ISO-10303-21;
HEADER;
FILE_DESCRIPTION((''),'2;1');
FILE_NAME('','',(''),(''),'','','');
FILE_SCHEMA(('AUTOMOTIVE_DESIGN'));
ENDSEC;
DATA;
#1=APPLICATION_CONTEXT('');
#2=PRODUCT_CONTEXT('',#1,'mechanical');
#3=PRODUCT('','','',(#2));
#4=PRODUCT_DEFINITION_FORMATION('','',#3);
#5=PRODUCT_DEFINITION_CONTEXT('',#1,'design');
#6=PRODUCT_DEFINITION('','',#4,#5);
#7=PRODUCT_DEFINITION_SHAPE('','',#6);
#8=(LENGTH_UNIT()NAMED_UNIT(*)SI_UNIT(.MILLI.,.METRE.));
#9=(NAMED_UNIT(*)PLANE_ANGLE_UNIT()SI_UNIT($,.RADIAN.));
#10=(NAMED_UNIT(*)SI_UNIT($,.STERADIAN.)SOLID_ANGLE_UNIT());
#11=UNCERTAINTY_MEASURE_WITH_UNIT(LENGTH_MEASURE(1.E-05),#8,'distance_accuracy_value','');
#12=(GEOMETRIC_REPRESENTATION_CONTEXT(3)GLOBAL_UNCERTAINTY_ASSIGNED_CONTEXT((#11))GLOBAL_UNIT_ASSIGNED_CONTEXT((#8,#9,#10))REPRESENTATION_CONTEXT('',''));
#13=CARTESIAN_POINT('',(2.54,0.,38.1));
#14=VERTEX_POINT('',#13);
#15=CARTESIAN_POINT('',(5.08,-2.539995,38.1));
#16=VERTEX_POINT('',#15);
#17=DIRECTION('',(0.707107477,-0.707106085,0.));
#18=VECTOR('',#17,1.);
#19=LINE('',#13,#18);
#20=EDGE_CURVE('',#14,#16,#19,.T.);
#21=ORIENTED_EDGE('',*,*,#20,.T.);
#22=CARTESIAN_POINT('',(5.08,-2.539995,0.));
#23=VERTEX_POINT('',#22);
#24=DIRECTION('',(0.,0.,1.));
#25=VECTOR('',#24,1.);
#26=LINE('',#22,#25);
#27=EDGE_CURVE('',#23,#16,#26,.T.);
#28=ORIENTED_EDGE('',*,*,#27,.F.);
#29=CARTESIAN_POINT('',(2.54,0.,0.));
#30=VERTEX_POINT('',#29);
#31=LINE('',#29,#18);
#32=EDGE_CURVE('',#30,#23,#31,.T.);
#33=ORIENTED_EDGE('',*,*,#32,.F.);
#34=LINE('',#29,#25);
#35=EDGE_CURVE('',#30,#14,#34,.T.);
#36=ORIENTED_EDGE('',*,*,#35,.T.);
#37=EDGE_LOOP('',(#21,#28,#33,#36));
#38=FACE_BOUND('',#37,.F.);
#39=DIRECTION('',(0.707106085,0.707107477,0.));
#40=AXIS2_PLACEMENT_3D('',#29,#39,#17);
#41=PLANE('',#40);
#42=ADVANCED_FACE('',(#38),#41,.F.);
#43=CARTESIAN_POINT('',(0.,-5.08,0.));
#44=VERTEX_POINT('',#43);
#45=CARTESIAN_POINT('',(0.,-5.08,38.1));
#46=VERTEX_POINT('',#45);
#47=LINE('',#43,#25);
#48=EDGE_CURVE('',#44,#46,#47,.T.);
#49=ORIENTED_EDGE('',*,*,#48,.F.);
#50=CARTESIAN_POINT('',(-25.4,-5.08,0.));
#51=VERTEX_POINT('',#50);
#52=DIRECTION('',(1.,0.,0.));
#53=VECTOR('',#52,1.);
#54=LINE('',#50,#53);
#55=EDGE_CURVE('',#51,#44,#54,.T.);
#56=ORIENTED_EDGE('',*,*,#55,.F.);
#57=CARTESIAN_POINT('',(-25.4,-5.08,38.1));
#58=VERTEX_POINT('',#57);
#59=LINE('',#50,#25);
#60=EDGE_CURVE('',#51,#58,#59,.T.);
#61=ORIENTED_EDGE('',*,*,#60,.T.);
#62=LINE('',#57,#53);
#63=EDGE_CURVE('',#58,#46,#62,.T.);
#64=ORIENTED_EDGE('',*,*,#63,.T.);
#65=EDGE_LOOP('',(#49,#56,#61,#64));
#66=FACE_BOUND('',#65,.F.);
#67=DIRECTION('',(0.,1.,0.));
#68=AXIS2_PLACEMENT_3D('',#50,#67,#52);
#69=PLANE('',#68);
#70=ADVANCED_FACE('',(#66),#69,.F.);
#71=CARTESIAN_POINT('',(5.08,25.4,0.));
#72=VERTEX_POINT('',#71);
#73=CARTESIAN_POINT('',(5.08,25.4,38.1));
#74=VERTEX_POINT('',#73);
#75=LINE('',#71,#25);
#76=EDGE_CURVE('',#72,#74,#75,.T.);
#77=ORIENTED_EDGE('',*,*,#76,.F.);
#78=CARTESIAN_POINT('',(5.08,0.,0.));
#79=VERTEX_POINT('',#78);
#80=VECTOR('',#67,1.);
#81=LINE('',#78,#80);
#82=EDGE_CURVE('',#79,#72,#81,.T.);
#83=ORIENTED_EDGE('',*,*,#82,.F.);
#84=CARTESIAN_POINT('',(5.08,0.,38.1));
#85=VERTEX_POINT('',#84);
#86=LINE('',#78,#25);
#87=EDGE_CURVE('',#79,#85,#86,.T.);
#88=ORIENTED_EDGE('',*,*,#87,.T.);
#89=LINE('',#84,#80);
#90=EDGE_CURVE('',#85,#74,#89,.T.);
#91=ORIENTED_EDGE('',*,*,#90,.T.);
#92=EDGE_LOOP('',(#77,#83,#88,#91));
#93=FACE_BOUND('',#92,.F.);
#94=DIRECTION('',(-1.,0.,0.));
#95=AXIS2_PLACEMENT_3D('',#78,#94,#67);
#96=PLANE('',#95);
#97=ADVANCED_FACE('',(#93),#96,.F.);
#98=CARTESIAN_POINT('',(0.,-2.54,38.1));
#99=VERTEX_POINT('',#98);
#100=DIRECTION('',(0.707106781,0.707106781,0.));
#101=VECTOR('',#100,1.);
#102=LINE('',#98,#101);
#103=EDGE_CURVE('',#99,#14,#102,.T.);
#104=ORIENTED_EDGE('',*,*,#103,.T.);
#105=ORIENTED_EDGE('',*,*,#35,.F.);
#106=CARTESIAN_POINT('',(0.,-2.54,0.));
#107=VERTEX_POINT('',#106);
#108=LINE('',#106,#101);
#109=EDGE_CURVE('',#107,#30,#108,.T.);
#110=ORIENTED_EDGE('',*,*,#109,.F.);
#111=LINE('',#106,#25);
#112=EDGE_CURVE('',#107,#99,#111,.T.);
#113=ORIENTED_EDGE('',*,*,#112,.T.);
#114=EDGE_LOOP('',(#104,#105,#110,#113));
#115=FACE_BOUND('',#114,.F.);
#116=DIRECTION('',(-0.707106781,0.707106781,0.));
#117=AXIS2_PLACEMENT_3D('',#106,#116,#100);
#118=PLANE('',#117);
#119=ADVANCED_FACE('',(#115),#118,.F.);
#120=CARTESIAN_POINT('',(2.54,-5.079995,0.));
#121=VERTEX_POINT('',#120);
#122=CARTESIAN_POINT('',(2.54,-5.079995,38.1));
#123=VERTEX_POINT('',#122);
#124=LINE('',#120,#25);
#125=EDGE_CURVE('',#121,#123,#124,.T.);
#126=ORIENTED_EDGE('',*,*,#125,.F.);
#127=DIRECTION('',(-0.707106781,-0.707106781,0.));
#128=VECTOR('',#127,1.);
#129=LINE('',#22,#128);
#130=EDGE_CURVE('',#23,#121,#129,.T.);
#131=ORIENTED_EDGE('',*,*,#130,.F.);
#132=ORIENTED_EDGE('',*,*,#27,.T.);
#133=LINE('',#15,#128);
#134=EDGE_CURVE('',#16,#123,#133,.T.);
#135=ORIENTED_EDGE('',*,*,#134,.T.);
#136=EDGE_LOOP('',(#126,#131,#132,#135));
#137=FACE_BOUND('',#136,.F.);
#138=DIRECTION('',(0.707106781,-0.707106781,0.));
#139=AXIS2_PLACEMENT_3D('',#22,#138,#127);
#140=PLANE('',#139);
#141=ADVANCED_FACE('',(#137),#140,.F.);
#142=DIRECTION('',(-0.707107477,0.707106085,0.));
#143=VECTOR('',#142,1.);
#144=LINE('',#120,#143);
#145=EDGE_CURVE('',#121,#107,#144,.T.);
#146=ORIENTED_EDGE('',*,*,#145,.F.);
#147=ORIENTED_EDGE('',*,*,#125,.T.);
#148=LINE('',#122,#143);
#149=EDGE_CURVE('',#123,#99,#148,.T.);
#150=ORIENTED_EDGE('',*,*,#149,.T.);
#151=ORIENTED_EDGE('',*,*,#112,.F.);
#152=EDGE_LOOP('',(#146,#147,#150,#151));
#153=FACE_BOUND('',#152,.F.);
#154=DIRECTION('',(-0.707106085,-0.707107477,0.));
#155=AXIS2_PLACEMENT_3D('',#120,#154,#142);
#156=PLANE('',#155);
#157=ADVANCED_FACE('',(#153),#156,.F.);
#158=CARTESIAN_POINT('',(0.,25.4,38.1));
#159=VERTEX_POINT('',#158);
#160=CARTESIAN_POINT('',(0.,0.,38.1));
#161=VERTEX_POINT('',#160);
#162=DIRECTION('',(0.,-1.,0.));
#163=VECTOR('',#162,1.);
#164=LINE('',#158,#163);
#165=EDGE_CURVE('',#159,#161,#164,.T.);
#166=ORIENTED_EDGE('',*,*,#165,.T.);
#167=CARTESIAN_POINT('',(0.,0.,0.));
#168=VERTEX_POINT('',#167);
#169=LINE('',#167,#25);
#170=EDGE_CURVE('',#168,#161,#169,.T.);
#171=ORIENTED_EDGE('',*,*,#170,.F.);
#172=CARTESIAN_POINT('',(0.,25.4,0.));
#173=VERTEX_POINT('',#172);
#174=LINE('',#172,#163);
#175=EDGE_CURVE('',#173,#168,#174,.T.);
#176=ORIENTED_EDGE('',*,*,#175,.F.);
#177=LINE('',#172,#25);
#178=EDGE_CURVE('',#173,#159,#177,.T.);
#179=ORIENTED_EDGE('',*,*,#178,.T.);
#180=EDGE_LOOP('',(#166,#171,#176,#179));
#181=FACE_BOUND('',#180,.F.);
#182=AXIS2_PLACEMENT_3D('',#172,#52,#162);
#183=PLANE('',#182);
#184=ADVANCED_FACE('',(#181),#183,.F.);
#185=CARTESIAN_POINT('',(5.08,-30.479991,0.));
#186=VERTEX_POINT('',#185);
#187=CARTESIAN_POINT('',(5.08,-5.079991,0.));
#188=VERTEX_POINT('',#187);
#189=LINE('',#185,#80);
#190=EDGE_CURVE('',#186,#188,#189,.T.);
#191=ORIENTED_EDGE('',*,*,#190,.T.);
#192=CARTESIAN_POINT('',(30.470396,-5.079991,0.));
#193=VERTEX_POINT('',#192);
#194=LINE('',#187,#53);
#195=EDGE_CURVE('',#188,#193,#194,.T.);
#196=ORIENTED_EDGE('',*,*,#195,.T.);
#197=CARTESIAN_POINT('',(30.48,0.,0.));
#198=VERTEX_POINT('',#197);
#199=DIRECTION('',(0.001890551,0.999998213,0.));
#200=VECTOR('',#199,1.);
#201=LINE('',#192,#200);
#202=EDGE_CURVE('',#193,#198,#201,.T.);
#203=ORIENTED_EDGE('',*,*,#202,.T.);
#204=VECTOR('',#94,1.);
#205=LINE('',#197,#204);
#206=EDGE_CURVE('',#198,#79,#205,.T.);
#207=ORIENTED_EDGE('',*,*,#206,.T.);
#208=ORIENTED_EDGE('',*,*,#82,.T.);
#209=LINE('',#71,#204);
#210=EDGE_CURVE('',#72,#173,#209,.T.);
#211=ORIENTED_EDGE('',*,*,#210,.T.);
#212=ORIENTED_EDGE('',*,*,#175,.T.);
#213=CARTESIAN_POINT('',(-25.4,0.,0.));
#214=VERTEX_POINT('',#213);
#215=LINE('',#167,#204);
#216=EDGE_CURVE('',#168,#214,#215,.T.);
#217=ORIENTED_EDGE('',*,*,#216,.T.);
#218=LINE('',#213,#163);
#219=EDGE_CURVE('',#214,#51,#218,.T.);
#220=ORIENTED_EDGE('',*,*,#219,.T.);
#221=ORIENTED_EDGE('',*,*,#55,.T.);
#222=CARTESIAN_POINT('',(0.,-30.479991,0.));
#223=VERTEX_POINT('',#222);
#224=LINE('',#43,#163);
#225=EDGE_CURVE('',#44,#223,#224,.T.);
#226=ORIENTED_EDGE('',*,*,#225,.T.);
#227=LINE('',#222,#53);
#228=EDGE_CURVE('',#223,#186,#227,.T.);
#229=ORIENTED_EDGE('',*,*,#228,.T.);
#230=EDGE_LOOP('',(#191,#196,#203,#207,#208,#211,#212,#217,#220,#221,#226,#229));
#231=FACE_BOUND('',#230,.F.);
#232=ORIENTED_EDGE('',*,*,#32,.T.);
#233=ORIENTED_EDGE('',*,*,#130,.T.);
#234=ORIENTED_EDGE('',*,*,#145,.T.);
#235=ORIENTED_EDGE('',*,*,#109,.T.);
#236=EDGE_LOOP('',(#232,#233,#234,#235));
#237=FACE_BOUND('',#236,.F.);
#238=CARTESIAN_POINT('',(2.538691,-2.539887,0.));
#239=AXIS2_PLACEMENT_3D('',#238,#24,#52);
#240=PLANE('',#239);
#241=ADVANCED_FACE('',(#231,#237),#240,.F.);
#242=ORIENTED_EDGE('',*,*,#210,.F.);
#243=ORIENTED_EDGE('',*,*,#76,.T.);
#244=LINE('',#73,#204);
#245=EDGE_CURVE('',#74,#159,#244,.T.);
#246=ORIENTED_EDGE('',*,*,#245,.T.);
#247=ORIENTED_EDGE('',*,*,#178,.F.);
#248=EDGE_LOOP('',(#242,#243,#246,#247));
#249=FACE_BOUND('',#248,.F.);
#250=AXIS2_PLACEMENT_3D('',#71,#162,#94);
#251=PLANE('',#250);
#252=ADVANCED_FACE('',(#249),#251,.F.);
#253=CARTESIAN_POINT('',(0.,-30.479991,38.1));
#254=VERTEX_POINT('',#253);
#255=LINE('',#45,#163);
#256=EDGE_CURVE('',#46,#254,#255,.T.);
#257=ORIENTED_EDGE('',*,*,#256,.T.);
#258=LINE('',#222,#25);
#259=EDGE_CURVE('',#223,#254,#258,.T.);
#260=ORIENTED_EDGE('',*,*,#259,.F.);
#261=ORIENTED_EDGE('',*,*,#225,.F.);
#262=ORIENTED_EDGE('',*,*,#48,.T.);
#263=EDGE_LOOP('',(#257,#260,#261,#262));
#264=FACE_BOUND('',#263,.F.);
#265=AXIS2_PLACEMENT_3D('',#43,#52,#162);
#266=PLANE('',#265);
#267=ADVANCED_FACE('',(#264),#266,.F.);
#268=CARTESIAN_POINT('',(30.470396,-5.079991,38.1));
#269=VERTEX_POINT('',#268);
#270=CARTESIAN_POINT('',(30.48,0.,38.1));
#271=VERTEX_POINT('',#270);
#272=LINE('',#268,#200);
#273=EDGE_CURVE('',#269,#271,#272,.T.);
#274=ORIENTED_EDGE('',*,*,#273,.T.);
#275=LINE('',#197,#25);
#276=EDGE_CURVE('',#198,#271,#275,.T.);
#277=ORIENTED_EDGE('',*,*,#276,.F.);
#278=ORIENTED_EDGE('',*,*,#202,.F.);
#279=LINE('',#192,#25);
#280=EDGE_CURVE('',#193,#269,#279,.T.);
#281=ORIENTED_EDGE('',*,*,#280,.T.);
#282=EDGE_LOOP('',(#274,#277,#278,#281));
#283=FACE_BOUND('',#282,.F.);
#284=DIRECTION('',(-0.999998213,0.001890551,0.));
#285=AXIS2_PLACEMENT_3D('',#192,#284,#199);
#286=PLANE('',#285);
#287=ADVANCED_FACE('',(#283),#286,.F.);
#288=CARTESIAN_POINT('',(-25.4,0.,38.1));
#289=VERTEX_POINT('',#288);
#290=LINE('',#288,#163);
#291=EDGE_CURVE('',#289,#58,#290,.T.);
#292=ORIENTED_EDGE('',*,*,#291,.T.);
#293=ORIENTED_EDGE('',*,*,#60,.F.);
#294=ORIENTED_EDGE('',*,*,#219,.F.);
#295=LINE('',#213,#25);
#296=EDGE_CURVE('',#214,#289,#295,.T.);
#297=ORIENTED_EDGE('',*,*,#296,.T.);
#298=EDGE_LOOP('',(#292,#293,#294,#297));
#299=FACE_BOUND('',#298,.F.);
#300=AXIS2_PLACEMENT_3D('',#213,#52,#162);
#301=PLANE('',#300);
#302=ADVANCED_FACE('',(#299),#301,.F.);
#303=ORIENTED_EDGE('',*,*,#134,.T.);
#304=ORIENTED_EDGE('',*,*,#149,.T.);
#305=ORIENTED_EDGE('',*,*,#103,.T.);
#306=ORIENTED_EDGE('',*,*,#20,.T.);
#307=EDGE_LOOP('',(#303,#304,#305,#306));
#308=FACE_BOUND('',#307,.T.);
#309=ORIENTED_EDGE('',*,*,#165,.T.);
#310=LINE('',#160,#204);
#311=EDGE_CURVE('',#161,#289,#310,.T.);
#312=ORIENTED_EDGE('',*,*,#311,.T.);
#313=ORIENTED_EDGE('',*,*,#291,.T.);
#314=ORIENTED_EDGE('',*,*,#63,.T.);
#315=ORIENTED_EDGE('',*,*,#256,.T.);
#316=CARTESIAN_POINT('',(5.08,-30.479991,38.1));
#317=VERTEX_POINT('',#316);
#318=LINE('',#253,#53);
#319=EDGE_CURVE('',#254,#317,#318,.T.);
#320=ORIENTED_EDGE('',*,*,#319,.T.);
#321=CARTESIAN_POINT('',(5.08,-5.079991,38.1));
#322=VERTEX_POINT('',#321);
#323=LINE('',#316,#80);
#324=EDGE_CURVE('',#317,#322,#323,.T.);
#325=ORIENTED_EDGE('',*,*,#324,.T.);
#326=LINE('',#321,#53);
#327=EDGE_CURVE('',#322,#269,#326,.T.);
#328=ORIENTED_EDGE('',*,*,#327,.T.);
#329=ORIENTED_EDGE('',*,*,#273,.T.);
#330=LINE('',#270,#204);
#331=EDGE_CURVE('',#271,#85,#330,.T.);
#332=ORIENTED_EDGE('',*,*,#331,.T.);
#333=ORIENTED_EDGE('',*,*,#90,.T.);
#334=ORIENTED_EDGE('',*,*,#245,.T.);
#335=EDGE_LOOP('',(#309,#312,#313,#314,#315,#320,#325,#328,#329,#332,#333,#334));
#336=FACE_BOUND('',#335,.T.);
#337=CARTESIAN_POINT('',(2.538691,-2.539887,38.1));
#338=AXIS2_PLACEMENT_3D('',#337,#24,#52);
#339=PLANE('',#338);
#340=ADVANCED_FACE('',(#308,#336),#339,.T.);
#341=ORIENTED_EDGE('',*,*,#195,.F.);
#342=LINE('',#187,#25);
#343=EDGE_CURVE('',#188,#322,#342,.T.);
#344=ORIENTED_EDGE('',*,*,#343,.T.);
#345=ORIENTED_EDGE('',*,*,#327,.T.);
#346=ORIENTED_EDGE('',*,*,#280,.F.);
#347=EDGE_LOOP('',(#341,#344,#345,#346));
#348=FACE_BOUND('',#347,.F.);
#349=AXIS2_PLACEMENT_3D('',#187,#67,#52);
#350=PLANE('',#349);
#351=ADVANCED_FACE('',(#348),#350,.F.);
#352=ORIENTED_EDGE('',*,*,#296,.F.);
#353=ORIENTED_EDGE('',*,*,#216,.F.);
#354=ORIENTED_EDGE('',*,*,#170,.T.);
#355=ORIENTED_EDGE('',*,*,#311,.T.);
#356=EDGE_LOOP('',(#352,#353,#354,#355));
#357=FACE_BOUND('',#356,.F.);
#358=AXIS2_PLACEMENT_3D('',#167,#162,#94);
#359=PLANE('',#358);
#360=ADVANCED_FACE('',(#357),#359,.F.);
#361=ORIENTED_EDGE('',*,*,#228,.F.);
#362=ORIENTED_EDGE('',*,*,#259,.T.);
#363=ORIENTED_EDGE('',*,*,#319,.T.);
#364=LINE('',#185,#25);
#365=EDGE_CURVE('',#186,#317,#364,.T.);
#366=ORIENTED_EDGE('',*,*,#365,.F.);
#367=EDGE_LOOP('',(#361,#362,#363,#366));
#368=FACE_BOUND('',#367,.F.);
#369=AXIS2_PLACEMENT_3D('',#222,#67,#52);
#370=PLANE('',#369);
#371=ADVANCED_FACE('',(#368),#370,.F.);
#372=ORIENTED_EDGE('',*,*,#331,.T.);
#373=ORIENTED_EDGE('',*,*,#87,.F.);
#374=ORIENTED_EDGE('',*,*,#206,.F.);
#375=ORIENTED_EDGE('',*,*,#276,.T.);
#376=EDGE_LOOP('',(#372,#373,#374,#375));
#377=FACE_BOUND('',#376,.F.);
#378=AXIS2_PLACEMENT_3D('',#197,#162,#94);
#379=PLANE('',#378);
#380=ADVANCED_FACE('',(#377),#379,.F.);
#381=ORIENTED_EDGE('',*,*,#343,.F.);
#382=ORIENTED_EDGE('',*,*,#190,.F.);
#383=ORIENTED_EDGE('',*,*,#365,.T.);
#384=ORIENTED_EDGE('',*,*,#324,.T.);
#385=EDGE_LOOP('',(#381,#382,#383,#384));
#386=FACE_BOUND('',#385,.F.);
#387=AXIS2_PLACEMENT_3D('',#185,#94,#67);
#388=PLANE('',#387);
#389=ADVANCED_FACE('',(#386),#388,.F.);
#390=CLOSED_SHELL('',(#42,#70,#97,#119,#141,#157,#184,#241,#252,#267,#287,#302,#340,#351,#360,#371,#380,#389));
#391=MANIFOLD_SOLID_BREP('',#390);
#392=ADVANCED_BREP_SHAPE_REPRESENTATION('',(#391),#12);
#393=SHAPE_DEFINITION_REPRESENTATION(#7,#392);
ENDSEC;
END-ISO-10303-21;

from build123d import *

# Parameters (mm, degrees)
F1_DEPTH = 38.1


with BuildPart() as f1:
    # F0 (on Top) → F1 (new body)
    with BuildSketch(Plane.XY):
        Polygon((0, 25.4), (0, 0), (-25.4, 0), (-25.4, -5.08), (0, -5.08), (0, -30.479991), (5.08, -30.479991), (5.08, -5.079991), (30.470396, -5.079991), (30.48, 0), (5.08, 0), (5.08, 25.4), align=None)
        Polygon((0, -2.54), (2.54, 0), (5.08, -2.539995), (2.54, -5.079995), align=None, mode=Mode.SUBTRACT)
    extrude(amount=F1_DEPTH)


solid = f1.part
